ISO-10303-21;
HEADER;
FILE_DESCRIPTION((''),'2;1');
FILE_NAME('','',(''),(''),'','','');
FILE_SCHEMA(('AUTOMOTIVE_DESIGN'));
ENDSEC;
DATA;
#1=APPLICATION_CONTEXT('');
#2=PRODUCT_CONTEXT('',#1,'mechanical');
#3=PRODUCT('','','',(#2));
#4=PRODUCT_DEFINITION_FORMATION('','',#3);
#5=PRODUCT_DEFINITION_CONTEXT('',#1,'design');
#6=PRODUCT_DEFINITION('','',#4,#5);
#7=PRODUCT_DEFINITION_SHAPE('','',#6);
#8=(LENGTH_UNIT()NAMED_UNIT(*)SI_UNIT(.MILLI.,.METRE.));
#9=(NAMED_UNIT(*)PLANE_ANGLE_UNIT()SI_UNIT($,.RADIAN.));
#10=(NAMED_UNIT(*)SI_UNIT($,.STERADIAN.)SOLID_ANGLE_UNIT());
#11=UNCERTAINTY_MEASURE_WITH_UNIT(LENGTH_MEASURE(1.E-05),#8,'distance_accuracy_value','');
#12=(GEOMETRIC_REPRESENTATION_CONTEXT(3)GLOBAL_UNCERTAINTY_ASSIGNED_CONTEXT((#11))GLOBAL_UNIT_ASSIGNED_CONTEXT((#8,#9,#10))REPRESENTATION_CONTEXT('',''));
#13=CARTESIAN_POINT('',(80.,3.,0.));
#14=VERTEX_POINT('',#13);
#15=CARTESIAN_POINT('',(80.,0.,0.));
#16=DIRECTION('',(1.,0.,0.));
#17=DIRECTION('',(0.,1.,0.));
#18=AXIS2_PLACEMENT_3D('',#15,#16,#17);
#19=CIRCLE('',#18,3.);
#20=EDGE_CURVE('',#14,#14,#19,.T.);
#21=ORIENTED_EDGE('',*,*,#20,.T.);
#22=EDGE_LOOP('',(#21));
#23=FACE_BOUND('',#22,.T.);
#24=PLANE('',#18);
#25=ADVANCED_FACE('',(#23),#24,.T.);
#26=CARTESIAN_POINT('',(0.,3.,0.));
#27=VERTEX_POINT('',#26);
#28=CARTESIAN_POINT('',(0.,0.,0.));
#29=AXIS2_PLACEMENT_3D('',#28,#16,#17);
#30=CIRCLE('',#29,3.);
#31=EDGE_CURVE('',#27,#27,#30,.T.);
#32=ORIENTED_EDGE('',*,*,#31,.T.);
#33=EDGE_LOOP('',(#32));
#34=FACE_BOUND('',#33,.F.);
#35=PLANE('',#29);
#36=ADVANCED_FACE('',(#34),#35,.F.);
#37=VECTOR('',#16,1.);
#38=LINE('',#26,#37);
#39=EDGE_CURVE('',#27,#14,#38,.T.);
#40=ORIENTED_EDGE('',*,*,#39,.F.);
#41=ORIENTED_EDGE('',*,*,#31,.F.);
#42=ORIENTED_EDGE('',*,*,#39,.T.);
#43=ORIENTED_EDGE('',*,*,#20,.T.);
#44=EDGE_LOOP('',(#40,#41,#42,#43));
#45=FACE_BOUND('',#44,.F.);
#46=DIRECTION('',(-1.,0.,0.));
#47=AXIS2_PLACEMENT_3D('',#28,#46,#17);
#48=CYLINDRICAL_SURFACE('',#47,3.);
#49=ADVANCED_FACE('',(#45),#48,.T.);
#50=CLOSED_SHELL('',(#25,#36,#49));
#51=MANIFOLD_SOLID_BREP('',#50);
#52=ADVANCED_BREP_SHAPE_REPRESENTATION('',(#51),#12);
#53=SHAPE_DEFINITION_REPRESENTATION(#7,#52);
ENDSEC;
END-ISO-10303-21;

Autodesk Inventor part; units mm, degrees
ref_plane "YZ Plane" through (0, 0, 0) normal (1, 0, 0) x (0, 1, 0)
ref_plane "XZ Plane" through (0, 0, 0) normal (0, 1, 0) x (-1, 0, 0)
ref_plane "XY Plane" through (0, 0, 0) normal (0, 0, 1) x (1, 0, 0)
sketch "スケッチ1" plane through (0, 0, 0) normal (1, 0, 0) x (0, 1, 0)
  circle A0 centre (0, 0) radius 3
  dimension "d0" = 6
extrude "押し出し1" add sketch "スケッチ1" along normal blind 80
properties part number "上下直動_ベアリングシャフト2" material "アルミニウム 6061"
